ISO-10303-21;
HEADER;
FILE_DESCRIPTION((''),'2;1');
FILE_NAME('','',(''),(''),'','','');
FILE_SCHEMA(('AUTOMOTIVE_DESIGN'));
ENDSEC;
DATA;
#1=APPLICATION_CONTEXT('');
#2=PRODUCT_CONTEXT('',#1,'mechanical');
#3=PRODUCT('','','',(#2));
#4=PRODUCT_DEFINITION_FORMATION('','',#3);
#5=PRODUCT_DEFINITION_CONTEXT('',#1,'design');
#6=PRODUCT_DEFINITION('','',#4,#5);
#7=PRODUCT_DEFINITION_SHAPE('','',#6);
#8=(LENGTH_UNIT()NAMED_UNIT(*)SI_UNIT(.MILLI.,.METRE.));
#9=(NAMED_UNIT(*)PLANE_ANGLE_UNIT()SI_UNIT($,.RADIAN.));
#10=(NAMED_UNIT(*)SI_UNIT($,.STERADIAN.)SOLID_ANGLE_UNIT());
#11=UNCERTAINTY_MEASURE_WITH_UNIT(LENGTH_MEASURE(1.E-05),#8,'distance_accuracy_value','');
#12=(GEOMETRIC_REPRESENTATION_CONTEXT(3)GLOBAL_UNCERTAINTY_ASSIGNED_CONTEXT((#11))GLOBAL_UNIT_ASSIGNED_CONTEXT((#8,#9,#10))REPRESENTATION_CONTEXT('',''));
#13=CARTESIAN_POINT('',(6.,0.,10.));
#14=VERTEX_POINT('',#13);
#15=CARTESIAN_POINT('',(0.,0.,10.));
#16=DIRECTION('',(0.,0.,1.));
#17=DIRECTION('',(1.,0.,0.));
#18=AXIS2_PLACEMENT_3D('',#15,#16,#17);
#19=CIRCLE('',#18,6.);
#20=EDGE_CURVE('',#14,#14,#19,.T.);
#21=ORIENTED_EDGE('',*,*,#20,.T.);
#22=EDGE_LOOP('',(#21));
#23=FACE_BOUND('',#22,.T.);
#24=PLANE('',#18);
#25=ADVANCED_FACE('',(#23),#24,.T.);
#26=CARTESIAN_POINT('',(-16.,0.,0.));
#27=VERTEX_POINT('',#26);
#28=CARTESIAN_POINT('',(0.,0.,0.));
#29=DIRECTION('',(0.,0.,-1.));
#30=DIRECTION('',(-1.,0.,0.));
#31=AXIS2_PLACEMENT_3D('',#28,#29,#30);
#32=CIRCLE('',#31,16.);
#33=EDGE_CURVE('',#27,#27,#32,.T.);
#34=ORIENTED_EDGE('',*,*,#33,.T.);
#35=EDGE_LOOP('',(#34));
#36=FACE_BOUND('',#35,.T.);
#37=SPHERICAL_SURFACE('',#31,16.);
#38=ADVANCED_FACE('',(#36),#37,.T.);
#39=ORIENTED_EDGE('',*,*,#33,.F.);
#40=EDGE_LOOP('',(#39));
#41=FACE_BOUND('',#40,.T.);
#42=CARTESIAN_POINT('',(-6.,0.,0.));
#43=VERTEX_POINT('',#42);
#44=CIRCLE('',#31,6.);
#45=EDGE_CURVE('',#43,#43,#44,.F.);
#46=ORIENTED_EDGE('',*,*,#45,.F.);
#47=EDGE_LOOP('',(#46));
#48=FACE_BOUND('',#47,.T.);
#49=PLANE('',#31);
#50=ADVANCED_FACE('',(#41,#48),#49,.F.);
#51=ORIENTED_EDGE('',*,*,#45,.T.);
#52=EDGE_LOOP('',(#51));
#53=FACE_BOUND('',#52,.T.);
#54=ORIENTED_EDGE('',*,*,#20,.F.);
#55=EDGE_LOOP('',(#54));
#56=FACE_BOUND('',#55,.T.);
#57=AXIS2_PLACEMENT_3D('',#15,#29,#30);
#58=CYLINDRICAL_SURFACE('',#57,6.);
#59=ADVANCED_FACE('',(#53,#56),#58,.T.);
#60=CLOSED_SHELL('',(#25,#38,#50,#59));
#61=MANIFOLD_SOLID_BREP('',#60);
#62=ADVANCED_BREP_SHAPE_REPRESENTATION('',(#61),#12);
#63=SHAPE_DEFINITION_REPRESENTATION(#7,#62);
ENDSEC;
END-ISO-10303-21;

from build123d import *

# Parameters (mm, degrees)
REVOLVE1_ANGLE      = 180
SKETCH4_R           = 6
BOSS_EXTRUDE1_DEPTH = 10


with BuildPart() as part:
    # Sketch1 → Revolve1 (revolve)
    with BuildSketch(Plane.XY):
        with BuildLine():
            Line((0, -16), (0, 16))
            ThreePointArc((0, 16), (16, 0), (0, -16))
        make_face()
    revolve(axis=Axis((0, -16, 0), (0, 1, 0)), revolution_arc=REVOLVE1_ANGLE)

    # Sketch4 → Boss-Extrude1 (add)
    with BuildSketch(Plane.XY):
        with Locations(Location((0, 0, 0), (0, 0, 180))):
            Circle(SKETCH4_R)
    extrude(amount=BOSS_EXTRUDE1_DEPTH)


solid = part.part
